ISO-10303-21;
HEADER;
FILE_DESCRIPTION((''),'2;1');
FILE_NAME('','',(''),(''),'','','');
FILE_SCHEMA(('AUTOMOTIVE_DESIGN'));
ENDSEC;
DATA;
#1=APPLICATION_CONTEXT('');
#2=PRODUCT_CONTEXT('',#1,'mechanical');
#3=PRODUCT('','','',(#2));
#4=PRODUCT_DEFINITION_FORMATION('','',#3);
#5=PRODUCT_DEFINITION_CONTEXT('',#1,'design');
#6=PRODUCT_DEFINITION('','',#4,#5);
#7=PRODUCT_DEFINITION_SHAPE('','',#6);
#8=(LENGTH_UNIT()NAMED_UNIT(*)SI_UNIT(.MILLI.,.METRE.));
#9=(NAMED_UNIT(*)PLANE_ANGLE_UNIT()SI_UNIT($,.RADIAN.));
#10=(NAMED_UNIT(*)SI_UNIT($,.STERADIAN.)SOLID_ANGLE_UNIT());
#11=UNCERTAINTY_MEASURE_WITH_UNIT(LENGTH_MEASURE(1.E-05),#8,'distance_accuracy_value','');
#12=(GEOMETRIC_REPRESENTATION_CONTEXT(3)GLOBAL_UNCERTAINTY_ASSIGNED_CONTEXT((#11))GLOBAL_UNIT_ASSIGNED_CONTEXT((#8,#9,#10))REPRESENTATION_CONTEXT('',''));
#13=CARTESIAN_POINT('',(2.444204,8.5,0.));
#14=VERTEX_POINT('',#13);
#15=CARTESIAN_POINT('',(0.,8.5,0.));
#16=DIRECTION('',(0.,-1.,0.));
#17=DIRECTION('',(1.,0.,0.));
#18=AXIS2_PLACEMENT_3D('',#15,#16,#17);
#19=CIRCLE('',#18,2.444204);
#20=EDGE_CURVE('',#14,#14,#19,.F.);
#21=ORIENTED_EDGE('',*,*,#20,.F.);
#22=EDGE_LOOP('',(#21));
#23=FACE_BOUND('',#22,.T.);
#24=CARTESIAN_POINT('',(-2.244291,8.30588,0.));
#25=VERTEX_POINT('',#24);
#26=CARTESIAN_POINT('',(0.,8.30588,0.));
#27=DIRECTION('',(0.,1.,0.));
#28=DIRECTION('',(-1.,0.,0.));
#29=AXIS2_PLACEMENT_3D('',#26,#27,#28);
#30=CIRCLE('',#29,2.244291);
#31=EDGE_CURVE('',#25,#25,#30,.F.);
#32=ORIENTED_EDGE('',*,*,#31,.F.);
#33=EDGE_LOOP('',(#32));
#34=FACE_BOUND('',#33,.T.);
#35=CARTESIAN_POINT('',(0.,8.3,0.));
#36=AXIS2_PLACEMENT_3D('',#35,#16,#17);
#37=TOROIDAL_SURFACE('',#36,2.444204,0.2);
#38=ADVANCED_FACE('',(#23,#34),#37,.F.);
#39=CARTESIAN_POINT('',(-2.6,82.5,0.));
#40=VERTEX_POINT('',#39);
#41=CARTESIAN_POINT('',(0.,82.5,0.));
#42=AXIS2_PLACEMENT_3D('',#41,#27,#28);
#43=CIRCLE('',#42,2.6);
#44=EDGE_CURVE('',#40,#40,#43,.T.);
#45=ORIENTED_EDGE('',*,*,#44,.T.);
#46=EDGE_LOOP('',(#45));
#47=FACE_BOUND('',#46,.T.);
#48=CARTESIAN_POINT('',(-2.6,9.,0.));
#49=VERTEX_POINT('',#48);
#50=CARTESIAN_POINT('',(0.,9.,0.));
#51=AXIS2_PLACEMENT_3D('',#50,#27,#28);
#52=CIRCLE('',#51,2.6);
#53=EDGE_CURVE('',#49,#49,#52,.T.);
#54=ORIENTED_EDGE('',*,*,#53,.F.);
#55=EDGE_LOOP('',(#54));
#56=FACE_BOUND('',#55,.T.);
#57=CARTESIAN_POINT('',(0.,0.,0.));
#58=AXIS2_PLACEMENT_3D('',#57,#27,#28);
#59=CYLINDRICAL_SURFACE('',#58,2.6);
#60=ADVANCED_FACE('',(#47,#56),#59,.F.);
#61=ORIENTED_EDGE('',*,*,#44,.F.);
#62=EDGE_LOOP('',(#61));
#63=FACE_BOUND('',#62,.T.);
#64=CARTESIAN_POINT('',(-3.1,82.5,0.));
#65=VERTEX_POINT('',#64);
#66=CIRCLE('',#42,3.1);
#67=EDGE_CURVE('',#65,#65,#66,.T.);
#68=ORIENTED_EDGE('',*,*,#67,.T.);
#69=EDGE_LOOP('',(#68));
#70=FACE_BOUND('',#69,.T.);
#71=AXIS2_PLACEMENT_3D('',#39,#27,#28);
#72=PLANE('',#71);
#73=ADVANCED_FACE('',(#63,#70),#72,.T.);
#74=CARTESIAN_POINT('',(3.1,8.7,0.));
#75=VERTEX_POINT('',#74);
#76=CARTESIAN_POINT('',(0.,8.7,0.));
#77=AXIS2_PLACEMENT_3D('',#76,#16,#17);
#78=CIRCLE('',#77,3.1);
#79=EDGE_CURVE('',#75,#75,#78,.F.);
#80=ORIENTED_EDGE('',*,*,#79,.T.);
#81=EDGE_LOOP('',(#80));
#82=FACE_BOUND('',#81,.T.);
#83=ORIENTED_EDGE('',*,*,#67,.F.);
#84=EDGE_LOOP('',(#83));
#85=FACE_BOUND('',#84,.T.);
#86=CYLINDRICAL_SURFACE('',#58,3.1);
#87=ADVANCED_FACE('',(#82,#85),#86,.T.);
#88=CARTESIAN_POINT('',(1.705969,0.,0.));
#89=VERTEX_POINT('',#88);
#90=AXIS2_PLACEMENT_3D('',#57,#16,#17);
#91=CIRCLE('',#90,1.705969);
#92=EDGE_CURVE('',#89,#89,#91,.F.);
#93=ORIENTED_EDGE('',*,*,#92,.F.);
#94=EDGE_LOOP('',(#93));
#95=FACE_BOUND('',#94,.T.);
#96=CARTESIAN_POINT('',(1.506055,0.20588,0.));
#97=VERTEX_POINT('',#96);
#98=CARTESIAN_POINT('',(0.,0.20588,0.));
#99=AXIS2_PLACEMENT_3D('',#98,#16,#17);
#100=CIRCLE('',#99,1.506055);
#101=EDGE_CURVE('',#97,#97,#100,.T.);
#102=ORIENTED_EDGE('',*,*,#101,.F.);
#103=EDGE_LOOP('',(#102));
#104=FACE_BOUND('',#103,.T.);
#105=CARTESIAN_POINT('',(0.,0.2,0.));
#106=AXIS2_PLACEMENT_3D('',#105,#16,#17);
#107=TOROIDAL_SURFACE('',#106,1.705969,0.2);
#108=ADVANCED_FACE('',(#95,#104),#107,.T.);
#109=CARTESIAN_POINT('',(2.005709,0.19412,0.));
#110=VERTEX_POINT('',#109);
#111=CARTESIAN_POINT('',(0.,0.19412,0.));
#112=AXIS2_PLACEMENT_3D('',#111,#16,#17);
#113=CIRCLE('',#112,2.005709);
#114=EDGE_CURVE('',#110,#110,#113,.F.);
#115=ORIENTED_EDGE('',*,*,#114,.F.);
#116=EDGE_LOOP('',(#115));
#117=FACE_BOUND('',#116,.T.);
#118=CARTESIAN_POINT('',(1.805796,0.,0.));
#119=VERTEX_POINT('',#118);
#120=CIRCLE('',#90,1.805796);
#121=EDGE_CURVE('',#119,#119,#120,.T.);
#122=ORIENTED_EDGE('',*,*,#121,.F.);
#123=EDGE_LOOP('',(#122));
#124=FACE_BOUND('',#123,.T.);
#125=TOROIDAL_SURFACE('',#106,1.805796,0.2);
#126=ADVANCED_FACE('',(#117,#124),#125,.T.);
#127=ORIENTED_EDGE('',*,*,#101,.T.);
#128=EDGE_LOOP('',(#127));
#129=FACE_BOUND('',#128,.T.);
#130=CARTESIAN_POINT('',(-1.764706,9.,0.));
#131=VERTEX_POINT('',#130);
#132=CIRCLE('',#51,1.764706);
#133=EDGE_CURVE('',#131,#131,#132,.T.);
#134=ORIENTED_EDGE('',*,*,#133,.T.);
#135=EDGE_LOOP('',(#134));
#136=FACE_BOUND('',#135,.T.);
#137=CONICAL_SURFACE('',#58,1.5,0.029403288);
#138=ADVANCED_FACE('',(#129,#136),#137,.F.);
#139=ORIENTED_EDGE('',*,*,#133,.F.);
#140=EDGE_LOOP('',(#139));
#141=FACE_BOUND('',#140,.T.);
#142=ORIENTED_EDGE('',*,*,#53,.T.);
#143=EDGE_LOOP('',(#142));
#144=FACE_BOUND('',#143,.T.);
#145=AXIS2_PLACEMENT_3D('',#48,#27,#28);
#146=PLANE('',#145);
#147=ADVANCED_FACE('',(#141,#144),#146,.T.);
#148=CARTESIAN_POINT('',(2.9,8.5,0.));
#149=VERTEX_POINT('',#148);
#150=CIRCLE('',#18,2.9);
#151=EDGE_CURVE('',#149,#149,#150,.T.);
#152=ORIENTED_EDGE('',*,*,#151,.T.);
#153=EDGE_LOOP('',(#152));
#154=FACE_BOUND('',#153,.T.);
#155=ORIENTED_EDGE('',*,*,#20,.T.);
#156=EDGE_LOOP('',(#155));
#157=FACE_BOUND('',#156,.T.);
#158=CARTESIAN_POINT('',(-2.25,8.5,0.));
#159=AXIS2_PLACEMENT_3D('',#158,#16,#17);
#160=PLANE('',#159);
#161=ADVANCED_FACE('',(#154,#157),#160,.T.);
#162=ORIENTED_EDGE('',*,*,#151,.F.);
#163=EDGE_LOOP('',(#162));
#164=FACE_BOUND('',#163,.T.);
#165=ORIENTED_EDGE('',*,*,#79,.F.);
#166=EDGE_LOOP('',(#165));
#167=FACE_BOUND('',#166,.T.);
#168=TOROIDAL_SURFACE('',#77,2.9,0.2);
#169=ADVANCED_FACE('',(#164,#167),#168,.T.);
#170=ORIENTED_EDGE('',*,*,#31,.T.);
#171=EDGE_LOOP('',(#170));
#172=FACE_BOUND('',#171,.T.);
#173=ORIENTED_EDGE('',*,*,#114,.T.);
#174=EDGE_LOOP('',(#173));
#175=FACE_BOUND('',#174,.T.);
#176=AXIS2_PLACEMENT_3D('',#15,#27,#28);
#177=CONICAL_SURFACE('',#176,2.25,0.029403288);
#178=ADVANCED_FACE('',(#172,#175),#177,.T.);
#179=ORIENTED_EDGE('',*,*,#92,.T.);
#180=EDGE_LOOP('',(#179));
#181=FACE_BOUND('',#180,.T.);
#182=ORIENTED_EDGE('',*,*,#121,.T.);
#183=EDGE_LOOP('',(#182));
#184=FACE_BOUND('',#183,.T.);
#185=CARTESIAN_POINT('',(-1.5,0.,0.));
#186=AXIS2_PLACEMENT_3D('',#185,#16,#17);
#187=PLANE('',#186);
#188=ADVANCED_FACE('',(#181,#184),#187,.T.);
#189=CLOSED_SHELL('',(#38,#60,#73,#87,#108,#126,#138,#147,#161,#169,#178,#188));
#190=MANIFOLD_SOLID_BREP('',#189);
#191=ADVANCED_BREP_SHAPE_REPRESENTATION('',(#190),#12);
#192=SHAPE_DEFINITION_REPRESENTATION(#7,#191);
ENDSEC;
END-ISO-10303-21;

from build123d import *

# Parameters (mm, degrees)
VERRUNDUNG1_R = 0.2


with BuildPart() as part:
    # Skizze1 → Rotation1 (revolve)
    with BuildSketch(Plane.XY):
        Polygon((-2.6, 82.5), (-3.1, 82.5), (-3.1, 8.5), (-2.25, 8.5), (-2, 0), (-1.5, 0), (-1.764705882, 9), (-2.6, 9), align=None)
    revolve(axis=Axis((0, 0, 0), (0, -1, 0)))

    # Verrundung1
    verrundung1_edges = [part.edges().sort_by_distance(p)[0] for p in [
        (1.5, 0, 0),
        (2, 0, 0),
        (2.25, 8.5, 0),
        (3.1, 8.5, 0),
    ]]
    fillet(verrundung1_edges, radius=VERRUNDUNG1_R)


solid = part.part
